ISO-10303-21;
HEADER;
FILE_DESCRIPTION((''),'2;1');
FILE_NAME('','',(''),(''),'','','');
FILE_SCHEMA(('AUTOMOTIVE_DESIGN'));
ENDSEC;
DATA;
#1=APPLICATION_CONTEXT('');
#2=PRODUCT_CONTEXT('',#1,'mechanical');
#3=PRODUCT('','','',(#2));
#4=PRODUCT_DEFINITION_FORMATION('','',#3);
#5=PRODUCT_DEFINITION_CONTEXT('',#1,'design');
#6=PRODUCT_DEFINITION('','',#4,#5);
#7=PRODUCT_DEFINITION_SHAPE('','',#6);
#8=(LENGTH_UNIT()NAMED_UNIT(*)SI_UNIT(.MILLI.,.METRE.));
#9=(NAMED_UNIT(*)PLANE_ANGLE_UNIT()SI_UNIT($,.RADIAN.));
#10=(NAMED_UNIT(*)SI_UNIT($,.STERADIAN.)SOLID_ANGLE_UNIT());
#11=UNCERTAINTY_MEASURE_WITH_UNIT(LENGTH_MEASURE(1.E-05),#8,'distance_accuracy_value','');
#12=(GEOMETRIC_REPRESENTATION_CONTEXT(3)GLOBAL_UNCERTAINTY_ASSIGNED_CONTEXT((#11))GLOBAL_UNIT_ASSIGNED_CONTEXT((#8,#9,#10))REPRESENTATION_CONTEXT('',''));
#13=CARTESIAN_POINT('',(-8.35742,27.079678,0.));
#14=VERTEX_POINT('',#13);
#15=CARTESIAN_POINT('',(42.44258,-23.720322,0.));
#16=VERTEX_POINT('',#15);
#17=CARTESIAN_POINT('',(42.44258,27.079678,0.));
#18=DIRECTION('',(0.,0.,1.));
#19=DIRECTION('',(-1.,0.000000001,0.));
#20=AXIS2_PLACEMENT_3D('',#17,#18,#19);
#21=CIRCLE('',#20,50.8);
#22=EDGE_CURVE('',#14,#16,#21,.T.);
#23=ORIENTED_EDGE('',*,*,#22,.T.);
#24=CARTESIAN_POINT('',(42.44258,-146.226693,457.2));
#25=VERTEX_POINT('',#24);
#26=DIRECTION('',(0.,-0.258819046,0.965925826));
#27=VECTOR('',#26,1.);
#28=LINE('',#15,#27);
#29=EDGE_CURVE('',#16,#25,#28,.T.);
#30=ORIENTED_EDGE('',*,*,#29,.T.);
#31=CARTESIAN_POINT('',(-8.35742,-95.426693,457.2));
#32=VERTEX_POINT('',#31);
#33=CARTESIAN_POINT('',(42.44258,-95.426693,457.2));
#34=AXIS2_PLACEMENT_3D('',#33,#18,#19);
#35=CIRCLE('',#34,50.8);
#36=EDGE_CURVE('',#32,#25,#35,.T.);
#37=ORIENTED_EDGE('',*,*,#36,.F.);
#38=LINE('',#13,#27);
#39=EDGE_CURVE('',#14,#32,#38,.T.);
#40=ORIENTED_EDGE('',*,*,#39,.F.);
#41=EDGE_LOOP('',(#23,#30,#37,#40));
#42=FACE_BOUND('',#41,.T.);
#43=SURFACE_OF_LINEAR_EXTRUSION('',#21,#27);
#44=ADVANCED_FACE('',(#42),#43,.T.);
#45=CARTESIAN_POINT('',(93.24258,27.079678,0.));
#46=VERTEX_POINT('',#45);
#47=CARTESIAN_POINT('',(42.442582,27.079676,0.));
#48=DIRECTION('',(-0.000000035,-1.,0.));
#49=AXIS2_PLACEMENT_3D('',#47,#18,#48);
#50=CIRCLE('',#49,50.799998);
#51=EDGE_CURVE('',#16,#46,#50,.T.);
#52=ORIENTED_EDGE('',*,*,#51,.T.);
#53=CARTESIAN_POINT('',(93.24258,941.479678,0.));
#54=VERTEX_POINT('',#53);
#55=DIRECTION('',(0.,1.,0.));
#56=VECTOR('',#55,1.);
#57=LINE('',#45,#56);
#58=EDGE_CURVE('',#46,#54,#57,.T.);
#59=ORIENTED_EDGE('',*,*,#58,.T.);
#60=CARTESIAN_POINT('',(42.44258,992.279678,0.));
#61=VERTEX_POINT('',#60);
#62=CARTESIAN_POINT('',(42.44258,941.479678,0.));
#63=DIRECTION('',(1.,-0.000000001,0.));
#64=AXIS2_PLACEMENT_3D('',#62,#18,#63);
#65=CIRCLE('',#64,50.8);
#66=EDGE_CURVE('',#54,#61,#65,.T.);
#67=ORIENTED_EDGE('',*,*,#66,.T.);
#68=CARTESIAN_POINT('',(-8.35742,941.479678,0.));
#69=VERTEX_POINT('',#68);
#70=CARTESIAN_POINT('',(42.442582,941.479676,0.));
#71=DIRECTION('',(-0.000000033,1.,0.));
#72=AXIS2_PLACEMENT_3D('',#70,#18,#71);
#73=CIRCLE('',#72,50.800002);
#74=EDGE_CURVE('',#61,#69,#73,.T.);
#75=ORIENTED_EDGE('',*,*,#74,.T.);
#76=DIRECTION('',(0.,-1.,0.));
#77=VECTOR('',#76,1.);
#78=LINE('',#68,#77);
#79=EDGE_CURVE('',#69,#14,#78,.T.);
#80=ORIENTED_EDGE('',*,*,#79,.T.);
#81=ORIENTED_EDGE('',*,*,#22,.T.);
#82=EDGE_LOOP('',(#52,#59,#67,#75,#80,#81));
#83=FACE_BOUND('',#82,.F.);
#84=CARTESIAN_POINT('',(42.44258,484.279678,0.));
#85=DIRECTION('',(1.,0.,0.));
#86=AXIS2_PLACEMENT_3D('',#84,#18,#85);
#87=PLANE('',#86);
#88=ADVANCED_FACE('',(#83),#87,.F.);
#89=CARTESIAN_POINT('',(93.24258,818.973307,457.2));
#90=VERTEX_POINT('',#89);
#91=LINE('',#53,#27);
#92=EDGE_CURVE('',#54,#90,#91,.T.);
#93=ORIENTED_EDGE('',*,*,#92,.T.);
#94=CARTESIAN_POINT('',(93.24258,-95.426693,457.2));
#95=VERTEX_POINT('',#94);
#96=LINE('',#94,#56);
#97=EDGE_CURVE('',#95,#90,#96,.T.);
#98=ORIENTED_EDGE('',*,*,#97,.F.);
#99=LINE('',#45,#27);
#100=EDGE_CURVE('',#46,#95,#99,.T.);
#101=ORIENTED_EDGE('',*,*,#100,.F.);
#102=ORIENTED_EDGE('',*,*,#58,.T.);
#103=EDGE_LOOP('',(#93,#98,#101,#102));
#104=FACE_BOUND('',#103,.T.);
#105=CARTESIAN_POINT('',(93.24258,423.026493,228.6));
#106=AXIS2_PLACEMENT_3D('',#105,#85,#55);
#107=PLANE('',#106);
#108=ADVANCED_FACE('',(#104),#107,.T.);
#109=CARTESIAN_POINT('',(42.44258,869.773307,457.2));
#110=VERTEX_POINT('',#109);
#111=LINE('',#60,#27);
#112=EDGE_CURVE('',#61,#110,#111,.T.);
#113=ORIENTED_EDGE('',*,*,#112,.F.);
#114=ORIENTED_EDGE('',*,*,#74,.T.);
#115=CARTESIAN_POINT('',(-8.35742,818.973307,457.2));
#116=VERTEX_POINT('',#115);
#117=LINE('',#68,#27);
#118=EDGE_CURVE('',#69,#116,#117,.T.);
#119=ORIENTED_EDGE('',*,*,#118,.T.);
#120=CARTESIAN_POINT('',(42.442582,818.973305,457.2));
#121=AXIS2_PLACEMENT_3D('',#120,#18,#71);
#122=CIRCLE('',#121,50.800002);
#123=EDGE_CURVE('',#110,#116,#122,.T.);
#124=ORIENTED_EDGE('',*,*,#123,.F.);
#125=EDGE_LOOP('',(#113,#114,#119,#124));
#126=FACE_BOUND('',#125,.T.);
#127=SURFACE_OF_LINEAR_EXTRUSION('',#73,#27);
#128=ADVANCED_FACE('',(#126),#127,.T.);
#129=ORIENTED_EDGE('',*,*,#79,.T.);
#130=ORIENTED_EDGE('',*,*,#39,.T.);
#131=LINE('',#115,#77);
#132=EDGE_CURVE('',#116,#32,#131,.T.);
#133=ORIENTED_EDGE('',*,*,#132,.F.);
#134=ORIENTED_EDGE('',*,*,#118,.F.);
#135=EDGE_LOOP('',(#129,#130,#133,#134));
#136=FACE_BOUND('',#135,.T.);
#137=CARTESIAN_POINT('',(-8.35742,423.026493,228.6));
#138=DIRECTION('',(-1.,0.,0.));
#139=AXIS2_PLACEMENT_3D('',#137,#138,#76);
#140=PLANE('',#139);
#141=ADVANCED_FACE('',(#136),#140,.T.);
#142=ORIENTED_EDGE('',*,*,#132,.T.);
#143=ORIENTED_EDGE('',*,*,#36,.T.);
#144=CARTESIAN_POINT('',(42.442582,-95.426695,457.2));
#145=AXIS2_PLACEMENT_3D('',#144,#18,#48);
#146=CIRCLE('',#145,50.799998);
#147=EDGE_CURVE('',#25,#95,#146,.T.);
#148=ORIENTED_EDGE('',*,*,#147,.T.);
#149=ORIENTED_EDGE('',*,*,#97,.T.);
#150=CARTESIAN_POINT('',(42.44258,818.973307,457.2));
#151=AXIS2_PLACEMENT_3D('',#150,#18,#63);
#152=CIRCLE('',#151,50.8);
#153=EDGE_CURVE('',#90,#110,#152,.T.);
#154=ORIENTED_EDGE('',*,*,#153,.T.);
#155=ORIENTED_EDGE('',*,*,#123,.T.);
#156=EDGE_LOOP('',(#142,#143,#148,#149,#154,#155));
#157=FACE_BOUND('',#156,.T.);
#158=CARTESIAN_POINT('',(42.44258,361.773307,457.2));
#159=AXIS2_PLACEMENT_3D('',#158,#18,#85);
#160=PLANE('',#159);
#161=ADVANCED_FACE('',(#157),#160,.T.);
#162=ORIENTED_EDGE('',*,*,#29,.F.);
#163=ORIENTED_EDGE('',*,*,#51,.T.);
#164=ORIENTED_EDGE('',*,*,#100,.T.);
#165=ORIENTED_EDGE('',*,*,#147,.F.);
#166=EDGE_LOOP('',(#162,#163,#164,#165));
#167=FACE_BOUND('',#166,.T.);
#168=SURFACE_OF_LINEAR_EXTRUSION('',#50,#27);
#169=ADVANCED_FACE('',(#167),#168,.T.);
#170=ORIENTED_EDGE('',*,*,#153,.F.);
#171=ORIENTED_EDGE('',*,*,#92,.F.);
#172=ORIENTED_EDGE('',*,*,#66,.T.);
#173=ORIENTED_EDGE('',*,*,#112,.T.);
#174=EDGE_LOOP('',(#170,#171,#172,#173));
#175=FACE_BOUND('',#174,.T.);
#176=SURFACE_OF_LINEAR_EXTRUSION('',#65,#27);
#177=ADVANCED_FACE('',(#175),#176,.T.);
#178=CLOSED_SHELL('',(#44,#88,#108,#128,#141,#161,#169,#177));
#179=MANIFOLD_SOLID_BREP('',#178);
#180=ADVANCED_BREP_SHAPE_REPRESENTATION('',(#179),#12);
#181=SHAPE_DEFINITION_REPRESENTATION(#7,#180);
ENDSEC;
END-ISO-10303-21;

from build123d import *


with BuildPart() as f2:
    # F2: sweep along a path in F1
    with BuildLine(Plane.YZ) as f2_path:
        Line((0, 0), (-122.506371, 457.2))
    # F0 (on Top) → F2 (sweep)
    with BuildSketch(Plane.XY):
        with BuildLine():
            ThreePointArc((42.44258, 992.279678), (6.521556, 977.400702), (-8.35742, 941.479678))
            Line((-8.35742, 941.479678), (-8.35742, 27.079678))
            ThreePointArc((-8.35742, 27.079678), (6.521556, -8.841347), (42.44258, -23.720322))
            ThreePointArc((42.44258, -23.720322), (78.363605, -8.841347), (93.24258, 27.079678))
            Line((93.24258, 27.079678), (93.24258, 941.479678))
            ThreePointArc((93.24258, 941.479678), (78.363605, 977.400702), (42.44258, 992.279678))
        make_face()
    sweep(path=f2_path.line)


solid = f2.part
